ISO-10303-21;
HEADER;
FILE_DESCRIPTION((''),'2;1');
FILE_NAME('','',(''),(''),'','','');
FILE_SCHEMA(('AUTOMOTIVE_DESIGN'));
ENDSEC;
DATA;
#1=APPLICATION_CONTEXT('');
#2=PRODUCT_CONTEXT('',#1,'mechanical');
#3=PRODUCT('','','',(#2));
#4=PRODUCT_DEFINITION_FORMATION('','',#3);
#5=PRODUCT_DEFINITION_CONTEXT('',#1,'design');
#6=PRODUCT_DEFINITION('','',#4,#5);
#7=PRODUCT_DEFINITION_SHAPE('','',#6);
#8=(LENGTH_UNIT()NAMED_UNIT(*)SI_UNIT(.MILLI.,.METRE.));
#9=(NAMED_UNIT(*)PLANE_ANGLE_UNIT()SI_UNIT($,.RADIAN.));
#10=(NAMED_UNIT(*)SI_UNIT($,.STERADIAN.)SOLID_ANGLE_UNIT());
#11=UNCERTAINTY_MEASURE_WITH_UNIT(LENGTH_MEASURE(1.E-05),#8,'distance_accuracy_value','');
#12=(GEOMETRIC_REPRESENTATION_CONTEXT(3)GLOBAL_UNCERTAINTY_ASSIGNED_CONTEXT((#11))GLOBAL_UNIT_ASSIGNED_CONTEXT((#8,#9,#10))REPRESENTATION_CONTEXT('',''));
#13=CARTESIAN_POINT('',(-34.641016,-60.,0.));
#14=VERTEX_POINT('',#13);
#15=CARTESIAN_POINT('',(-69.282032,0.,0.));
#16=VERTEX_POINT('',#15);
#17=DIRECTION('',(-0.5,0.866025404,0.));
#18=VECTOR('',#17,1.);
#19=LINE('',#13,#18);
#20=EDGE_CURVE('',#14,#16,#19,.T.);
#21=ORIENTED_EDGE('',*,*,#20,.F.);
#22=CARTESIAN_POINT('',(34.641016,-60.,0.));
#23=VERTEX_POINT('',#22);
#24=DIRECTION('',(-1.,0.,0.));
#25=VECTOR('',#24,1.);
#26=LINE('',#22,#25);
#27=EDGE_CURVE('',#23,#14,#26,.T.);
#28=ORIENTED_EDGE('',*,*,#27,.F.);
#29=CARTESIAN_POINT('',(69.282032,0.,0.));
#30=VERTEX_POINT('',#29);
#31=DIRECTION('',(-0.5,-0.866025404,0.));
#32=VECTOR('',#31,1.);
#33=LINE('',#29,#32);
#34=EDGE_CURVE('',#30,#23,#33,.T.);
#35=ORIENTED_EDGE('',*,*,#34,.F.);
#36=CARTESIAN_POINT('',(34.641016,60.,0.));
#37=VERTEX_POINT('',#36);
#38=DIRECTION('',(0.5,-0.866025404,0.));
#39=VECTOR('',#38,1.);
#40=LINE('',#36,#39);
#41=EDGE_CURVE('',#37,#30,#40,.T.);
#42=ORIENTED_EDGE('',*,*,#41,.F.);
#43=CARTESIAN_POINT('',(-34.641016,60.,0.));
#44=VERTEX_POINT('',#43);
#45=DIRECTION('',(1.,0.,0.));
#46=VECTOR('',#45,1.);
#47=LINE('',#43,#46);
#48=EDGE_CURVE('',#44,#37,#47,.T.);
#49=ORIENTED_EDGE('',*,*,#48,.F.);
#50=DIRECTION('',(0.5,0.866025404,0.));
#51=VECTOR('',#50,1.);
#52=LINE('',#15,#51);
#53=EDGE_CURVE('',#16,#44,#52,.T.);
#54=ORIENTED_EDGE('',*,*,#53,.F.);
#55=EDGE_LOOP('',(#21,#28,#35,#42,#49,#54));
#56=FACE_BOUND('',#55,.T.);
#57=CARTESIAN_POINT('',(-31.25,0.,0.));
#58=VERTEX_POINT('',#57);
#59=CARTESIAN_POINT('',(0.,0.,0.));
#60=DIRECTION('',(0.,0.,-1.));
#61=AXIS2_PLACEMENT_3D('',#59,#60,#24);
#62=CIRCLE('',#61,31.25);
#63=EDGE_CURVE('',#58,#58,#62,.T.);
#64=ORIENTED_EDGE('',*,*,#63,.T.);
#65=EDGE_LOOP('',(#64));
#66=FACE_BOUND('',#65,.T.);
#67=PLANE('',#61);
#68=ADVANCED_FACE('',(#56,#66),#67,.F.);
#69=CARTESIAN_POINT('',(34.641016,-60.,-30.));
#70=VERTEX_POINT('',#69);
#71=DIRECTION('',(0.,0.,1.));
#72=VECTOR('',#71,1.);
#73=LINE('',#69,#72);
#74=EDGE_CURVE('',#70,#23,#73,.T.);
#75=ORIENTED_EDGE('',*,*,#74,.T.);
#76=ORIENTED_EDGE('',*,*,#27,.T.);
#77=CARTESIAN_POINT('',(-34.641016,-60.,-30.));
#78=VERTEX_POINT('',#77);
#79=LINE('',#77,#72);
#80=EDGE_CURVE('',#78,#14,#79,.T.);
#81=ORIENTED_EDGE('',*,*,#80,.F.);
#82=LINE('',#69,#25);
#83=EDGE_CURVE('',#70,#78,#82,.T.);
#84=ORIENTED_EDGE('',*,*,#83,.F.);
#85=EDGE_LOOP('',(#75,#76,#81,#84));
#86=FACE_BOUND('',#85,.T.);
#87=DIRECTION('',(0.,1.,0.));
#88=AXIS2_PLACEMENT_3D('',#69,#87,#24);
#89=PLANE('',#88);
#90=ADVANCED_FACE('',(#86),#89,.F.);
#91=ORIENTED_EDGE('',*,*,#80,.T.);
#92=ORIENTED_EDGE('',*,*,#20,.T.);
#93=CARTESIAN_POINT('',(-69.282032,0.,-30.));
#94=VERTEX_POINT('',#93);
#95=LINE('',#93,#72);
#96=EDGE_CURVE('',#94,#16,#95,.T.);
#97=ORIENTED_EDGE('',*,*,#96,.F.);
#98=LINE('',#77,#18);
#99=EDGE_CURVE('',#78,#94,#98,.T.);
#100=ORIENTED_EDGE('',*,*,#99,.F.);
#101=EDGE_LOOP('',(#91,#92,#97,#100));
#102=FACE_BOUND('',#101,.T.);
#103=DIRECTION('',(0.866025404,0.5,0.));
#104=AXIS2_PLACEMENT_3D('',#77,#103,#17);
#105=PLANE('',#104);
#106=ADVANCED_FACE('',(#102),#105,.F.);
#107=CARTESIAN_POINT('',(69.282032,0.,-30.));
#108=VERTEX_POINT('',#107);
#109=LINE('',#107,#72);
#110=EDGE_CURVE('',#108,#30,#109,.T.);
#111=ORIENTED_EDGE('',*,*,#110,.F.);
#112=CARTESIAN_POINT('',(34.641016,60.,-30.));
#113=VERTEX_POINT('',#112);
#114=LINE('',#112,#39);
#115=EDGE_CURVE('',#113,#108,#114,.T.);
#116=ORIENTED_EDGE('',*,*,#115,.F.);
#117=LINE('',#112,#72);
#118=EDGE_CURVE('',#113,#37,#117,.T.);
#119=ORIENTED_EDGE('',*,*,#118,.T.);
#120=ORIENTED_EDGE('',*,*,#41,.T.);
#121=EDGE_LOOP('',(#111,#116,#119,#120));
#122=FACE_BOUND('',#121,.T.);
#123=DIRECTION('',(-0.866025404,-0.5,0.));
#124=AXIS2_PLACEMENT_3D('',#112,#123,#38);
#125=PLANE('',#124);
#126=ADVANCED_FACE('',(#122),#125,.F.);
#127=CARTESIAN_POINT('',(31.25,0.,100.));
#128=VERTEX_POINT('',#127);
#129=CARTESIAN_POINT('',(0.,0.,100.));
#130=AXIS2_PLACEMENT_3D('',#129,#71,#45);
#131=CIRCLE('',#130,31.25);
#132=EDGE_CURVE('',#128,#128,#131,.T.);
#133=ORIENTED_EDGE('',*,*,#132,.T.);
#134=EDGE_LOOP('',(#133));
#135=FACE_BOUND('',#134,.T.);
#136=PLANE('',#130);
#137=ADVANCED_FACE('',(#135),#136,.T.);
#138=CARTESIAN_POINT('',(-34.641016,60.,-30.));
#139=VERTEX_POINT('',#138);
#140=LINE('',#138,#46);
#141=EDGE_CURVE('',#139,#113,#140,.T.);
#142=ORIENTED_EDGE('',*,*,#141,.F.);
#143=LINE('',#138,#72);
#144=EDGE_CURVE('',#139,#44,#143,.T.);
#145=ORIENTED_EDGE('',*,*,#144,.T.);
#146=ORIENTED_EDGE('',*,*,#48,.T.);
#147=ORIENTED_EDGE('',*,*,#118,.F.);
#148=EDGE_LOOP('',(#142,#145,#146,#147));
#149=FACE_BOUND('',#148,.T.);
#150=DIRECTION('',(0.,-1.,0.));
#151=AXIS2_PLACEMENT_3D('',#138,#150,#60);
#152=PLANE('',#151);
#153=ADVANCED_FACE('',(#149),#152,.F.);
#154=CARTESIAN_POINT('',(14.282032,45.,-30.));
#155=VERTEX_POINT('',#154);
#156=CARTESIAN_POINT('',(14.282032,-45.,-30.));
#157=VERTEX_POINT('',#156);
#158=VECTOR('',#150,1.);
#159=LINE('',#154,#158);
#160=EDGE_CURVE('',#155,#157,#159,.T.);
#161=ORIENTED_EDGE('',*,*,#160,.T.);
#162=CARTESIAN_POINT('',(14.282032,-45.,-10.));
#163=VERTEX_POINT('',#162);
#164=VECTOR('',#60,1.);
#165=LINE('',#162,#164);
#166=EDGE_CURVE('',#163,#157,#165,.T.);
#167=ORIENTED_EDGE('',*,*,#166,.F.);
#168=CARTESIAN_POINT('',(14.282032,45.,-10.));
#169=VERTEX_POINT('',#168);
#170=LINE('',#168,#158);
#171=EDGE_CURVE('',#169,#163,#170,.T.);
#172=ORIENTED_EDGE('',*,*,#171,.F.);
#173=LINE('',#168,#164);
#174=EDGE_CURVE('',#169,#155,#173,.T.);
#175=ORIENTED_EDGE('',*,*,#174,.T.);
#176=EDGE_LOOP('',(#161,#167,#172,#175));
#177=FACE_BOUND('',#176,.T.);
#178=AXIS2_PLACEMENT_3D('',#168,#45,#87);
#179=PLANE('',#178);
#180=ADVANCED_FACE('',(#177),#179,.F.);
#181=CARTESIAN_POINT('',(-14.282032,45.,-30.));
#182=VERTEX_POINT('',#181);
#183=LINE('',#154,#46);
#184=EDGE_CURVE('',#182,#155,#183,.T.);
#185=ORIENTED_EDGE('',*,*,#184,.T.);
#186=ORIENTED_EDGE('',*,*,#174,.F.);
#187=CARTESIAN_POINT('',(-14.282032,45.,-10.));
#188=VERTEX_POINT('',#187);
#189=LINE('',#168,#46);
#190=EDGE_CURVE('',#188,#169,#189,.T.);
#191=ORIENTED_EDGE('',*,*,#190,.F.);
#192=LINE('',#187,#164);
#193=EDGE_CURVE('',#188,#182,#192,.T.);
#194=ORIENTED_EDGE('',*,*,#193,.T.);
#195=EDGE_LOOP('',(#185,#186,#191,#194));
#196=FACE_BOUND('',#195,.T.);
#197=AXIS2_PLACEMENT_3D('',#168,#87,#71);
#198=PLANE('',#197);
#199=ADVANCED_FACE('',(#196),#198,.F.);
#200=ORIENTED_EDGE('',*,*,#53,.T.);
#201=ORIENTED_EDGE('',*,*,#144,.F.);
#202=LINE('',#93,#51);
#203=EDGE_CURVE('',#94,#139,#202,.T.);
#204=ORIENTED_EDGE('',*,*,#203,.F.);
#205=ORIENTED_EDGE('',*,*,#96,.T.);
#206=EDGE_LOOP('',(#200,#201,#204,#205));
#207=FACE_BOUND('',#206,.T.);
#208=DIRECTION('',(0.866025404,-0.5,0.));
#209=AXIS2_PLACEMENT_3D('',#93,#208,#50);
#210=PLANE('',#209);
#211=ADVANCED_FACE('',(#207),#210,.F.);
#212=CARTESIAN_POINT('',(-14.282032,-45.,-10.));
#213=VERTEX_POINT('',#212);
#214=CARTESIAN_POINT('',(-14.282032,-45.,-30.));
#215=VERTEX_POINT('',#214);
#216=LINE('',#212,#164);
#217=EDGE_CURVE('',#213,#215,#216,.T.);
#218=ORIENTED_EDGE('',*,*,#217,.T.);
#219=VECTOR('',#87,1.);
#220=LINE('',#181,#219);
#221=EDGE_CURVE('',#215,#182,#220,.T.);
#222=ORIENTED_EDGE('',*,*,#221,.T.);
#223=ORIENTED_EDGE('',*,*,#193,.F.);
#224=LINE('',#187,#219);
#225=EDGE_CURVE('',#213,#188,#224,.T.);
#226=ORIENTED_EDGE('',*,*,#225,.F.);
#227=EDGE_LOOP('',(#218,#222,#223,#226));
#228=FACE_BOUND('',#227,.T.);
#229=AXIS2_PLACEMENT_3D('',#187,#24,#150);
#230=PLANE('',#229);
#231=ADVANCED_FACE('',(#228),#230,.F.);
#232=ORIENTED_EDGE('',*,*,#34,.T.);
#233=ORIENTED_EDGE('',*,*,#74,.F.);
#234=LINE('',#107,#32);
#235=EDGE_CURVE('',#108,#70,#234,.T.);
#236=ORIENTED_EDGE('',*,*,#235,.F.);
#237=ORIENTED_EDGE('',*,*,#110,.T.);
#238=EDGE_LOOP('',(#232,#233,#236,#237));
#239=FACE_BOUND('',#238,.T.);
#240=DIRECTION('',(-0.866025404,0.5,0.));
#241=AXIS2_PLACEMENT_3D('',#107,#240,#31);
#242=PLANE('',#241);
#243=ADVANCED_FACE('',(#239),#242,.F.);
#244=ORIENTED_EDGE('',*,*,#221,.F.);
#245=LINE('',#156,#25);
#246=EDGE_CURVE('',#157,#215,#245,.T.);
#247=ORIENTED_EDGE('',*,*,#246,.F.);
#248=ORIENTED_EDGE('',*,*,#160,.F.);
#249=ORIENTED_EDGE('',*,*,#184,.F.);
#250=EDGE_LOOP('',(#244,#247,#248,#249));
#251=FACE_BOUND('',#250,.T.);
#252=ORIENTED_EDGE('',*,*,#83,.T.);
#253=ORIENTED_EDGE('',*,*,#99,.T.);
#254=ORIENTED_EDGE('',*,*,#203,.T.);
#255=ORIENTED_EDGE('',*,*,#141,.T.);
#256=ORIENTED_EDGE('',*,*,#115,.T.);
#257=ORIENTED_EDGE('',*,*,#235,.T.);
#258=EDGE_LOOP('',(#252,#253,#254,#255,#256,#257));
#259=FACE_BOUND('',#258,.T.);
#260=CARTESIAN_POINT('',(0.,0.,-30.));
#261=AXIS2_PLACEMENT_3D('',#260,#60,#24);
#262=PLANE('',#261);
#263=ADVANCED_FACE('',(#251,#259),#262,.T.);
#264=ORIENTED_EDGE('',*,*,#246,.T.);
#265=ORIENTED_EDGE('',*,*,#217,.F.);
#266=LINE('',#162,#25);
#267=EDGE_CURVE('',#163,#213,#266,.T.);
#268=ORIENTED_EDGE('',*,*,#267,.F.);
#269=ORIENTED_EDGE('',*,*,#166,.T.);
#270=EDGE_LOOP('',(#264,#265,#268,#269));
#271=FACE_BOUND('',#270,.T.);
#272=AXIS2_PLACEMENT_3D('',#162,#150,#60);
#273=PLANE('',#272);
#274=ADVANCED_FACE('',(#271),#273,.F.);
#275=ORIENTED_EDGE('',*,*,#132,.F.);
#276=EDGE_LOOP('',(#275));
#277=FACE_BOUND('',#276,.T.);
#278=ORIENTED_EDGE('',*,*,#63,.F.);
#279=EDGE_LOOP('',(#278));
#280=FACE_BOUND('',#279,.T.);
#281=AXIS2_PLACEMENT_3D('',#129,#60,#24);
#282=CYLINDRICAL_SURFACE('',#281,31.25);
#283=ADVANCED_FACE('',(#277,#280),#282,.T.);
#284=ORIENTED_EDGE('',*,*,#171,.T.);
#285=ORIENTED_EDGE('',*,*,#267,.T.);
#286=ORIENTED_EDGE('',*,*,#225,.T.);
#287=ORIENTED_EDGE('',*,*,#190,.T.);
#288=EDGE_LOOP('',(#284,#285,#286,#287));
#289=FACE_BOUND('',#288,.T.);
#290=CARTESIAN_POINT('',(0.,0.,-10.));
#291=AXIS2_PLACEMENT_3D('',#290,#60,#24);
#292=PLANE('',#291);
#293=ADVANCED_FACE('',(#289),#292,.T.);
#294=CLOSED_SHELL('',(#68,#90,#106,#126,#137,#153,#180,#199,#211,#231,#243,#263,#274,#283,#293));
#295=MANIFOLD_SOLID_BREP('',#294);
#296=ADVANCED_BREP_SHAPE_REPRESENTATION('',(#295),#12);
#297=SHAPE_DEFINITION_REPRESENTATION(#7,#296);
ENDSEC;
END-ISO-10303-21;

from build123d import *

# Parameters (mm, degrees)
SKETCH1_R           = 31.25
BOSS_EXTRUDE1_DEPTH = 100
BOSS_EXTRUDE2_DEPTH = 30
SKETCH3_W           = 28.564064606
SKETCH3_H           = 90
CUT_EXTRUDE1_DEPTH  = 20


with BuildPart() as part:
    # Sketch1 → Boss-Extrude1 (new body)
    with BuildSketch(Plane.XY):
        Circle(SKETCH1_R)
    extrude(amount=BOSS_EXTRUDE1_DEPTH)

    # Sketch2 → Boss-Extrude2 (add)
    with BuildSketch(Plane(origin=(0, 0, 0), x_dir=(-1, 0, 0), z_dir=(0, 0, -1))):
        Polygon((69.282032303, 0), (34.641016151, 60), (-34.641016151, 60), (-69.282032303, 0), (-34.641016151, -60), (34.641016151, -60), align=None)
    extrude(amount=BOSS_EXTRUDE2_DEPTH)

    # Sketch3 → Cut-Extrude1 (cut)
    with BuildSketch(Plane(origin=(0, 0, -30), x_dir=(-1, 0, 0), z_dir=(0, 0, -1))):
        Rectangle(SKETCH3_W, SKETCH3_H)
    extrude(amount=-CUT_EXTRUDE1_DEPTH, mode=Mode.SUBTRACT)


solid = part.part
